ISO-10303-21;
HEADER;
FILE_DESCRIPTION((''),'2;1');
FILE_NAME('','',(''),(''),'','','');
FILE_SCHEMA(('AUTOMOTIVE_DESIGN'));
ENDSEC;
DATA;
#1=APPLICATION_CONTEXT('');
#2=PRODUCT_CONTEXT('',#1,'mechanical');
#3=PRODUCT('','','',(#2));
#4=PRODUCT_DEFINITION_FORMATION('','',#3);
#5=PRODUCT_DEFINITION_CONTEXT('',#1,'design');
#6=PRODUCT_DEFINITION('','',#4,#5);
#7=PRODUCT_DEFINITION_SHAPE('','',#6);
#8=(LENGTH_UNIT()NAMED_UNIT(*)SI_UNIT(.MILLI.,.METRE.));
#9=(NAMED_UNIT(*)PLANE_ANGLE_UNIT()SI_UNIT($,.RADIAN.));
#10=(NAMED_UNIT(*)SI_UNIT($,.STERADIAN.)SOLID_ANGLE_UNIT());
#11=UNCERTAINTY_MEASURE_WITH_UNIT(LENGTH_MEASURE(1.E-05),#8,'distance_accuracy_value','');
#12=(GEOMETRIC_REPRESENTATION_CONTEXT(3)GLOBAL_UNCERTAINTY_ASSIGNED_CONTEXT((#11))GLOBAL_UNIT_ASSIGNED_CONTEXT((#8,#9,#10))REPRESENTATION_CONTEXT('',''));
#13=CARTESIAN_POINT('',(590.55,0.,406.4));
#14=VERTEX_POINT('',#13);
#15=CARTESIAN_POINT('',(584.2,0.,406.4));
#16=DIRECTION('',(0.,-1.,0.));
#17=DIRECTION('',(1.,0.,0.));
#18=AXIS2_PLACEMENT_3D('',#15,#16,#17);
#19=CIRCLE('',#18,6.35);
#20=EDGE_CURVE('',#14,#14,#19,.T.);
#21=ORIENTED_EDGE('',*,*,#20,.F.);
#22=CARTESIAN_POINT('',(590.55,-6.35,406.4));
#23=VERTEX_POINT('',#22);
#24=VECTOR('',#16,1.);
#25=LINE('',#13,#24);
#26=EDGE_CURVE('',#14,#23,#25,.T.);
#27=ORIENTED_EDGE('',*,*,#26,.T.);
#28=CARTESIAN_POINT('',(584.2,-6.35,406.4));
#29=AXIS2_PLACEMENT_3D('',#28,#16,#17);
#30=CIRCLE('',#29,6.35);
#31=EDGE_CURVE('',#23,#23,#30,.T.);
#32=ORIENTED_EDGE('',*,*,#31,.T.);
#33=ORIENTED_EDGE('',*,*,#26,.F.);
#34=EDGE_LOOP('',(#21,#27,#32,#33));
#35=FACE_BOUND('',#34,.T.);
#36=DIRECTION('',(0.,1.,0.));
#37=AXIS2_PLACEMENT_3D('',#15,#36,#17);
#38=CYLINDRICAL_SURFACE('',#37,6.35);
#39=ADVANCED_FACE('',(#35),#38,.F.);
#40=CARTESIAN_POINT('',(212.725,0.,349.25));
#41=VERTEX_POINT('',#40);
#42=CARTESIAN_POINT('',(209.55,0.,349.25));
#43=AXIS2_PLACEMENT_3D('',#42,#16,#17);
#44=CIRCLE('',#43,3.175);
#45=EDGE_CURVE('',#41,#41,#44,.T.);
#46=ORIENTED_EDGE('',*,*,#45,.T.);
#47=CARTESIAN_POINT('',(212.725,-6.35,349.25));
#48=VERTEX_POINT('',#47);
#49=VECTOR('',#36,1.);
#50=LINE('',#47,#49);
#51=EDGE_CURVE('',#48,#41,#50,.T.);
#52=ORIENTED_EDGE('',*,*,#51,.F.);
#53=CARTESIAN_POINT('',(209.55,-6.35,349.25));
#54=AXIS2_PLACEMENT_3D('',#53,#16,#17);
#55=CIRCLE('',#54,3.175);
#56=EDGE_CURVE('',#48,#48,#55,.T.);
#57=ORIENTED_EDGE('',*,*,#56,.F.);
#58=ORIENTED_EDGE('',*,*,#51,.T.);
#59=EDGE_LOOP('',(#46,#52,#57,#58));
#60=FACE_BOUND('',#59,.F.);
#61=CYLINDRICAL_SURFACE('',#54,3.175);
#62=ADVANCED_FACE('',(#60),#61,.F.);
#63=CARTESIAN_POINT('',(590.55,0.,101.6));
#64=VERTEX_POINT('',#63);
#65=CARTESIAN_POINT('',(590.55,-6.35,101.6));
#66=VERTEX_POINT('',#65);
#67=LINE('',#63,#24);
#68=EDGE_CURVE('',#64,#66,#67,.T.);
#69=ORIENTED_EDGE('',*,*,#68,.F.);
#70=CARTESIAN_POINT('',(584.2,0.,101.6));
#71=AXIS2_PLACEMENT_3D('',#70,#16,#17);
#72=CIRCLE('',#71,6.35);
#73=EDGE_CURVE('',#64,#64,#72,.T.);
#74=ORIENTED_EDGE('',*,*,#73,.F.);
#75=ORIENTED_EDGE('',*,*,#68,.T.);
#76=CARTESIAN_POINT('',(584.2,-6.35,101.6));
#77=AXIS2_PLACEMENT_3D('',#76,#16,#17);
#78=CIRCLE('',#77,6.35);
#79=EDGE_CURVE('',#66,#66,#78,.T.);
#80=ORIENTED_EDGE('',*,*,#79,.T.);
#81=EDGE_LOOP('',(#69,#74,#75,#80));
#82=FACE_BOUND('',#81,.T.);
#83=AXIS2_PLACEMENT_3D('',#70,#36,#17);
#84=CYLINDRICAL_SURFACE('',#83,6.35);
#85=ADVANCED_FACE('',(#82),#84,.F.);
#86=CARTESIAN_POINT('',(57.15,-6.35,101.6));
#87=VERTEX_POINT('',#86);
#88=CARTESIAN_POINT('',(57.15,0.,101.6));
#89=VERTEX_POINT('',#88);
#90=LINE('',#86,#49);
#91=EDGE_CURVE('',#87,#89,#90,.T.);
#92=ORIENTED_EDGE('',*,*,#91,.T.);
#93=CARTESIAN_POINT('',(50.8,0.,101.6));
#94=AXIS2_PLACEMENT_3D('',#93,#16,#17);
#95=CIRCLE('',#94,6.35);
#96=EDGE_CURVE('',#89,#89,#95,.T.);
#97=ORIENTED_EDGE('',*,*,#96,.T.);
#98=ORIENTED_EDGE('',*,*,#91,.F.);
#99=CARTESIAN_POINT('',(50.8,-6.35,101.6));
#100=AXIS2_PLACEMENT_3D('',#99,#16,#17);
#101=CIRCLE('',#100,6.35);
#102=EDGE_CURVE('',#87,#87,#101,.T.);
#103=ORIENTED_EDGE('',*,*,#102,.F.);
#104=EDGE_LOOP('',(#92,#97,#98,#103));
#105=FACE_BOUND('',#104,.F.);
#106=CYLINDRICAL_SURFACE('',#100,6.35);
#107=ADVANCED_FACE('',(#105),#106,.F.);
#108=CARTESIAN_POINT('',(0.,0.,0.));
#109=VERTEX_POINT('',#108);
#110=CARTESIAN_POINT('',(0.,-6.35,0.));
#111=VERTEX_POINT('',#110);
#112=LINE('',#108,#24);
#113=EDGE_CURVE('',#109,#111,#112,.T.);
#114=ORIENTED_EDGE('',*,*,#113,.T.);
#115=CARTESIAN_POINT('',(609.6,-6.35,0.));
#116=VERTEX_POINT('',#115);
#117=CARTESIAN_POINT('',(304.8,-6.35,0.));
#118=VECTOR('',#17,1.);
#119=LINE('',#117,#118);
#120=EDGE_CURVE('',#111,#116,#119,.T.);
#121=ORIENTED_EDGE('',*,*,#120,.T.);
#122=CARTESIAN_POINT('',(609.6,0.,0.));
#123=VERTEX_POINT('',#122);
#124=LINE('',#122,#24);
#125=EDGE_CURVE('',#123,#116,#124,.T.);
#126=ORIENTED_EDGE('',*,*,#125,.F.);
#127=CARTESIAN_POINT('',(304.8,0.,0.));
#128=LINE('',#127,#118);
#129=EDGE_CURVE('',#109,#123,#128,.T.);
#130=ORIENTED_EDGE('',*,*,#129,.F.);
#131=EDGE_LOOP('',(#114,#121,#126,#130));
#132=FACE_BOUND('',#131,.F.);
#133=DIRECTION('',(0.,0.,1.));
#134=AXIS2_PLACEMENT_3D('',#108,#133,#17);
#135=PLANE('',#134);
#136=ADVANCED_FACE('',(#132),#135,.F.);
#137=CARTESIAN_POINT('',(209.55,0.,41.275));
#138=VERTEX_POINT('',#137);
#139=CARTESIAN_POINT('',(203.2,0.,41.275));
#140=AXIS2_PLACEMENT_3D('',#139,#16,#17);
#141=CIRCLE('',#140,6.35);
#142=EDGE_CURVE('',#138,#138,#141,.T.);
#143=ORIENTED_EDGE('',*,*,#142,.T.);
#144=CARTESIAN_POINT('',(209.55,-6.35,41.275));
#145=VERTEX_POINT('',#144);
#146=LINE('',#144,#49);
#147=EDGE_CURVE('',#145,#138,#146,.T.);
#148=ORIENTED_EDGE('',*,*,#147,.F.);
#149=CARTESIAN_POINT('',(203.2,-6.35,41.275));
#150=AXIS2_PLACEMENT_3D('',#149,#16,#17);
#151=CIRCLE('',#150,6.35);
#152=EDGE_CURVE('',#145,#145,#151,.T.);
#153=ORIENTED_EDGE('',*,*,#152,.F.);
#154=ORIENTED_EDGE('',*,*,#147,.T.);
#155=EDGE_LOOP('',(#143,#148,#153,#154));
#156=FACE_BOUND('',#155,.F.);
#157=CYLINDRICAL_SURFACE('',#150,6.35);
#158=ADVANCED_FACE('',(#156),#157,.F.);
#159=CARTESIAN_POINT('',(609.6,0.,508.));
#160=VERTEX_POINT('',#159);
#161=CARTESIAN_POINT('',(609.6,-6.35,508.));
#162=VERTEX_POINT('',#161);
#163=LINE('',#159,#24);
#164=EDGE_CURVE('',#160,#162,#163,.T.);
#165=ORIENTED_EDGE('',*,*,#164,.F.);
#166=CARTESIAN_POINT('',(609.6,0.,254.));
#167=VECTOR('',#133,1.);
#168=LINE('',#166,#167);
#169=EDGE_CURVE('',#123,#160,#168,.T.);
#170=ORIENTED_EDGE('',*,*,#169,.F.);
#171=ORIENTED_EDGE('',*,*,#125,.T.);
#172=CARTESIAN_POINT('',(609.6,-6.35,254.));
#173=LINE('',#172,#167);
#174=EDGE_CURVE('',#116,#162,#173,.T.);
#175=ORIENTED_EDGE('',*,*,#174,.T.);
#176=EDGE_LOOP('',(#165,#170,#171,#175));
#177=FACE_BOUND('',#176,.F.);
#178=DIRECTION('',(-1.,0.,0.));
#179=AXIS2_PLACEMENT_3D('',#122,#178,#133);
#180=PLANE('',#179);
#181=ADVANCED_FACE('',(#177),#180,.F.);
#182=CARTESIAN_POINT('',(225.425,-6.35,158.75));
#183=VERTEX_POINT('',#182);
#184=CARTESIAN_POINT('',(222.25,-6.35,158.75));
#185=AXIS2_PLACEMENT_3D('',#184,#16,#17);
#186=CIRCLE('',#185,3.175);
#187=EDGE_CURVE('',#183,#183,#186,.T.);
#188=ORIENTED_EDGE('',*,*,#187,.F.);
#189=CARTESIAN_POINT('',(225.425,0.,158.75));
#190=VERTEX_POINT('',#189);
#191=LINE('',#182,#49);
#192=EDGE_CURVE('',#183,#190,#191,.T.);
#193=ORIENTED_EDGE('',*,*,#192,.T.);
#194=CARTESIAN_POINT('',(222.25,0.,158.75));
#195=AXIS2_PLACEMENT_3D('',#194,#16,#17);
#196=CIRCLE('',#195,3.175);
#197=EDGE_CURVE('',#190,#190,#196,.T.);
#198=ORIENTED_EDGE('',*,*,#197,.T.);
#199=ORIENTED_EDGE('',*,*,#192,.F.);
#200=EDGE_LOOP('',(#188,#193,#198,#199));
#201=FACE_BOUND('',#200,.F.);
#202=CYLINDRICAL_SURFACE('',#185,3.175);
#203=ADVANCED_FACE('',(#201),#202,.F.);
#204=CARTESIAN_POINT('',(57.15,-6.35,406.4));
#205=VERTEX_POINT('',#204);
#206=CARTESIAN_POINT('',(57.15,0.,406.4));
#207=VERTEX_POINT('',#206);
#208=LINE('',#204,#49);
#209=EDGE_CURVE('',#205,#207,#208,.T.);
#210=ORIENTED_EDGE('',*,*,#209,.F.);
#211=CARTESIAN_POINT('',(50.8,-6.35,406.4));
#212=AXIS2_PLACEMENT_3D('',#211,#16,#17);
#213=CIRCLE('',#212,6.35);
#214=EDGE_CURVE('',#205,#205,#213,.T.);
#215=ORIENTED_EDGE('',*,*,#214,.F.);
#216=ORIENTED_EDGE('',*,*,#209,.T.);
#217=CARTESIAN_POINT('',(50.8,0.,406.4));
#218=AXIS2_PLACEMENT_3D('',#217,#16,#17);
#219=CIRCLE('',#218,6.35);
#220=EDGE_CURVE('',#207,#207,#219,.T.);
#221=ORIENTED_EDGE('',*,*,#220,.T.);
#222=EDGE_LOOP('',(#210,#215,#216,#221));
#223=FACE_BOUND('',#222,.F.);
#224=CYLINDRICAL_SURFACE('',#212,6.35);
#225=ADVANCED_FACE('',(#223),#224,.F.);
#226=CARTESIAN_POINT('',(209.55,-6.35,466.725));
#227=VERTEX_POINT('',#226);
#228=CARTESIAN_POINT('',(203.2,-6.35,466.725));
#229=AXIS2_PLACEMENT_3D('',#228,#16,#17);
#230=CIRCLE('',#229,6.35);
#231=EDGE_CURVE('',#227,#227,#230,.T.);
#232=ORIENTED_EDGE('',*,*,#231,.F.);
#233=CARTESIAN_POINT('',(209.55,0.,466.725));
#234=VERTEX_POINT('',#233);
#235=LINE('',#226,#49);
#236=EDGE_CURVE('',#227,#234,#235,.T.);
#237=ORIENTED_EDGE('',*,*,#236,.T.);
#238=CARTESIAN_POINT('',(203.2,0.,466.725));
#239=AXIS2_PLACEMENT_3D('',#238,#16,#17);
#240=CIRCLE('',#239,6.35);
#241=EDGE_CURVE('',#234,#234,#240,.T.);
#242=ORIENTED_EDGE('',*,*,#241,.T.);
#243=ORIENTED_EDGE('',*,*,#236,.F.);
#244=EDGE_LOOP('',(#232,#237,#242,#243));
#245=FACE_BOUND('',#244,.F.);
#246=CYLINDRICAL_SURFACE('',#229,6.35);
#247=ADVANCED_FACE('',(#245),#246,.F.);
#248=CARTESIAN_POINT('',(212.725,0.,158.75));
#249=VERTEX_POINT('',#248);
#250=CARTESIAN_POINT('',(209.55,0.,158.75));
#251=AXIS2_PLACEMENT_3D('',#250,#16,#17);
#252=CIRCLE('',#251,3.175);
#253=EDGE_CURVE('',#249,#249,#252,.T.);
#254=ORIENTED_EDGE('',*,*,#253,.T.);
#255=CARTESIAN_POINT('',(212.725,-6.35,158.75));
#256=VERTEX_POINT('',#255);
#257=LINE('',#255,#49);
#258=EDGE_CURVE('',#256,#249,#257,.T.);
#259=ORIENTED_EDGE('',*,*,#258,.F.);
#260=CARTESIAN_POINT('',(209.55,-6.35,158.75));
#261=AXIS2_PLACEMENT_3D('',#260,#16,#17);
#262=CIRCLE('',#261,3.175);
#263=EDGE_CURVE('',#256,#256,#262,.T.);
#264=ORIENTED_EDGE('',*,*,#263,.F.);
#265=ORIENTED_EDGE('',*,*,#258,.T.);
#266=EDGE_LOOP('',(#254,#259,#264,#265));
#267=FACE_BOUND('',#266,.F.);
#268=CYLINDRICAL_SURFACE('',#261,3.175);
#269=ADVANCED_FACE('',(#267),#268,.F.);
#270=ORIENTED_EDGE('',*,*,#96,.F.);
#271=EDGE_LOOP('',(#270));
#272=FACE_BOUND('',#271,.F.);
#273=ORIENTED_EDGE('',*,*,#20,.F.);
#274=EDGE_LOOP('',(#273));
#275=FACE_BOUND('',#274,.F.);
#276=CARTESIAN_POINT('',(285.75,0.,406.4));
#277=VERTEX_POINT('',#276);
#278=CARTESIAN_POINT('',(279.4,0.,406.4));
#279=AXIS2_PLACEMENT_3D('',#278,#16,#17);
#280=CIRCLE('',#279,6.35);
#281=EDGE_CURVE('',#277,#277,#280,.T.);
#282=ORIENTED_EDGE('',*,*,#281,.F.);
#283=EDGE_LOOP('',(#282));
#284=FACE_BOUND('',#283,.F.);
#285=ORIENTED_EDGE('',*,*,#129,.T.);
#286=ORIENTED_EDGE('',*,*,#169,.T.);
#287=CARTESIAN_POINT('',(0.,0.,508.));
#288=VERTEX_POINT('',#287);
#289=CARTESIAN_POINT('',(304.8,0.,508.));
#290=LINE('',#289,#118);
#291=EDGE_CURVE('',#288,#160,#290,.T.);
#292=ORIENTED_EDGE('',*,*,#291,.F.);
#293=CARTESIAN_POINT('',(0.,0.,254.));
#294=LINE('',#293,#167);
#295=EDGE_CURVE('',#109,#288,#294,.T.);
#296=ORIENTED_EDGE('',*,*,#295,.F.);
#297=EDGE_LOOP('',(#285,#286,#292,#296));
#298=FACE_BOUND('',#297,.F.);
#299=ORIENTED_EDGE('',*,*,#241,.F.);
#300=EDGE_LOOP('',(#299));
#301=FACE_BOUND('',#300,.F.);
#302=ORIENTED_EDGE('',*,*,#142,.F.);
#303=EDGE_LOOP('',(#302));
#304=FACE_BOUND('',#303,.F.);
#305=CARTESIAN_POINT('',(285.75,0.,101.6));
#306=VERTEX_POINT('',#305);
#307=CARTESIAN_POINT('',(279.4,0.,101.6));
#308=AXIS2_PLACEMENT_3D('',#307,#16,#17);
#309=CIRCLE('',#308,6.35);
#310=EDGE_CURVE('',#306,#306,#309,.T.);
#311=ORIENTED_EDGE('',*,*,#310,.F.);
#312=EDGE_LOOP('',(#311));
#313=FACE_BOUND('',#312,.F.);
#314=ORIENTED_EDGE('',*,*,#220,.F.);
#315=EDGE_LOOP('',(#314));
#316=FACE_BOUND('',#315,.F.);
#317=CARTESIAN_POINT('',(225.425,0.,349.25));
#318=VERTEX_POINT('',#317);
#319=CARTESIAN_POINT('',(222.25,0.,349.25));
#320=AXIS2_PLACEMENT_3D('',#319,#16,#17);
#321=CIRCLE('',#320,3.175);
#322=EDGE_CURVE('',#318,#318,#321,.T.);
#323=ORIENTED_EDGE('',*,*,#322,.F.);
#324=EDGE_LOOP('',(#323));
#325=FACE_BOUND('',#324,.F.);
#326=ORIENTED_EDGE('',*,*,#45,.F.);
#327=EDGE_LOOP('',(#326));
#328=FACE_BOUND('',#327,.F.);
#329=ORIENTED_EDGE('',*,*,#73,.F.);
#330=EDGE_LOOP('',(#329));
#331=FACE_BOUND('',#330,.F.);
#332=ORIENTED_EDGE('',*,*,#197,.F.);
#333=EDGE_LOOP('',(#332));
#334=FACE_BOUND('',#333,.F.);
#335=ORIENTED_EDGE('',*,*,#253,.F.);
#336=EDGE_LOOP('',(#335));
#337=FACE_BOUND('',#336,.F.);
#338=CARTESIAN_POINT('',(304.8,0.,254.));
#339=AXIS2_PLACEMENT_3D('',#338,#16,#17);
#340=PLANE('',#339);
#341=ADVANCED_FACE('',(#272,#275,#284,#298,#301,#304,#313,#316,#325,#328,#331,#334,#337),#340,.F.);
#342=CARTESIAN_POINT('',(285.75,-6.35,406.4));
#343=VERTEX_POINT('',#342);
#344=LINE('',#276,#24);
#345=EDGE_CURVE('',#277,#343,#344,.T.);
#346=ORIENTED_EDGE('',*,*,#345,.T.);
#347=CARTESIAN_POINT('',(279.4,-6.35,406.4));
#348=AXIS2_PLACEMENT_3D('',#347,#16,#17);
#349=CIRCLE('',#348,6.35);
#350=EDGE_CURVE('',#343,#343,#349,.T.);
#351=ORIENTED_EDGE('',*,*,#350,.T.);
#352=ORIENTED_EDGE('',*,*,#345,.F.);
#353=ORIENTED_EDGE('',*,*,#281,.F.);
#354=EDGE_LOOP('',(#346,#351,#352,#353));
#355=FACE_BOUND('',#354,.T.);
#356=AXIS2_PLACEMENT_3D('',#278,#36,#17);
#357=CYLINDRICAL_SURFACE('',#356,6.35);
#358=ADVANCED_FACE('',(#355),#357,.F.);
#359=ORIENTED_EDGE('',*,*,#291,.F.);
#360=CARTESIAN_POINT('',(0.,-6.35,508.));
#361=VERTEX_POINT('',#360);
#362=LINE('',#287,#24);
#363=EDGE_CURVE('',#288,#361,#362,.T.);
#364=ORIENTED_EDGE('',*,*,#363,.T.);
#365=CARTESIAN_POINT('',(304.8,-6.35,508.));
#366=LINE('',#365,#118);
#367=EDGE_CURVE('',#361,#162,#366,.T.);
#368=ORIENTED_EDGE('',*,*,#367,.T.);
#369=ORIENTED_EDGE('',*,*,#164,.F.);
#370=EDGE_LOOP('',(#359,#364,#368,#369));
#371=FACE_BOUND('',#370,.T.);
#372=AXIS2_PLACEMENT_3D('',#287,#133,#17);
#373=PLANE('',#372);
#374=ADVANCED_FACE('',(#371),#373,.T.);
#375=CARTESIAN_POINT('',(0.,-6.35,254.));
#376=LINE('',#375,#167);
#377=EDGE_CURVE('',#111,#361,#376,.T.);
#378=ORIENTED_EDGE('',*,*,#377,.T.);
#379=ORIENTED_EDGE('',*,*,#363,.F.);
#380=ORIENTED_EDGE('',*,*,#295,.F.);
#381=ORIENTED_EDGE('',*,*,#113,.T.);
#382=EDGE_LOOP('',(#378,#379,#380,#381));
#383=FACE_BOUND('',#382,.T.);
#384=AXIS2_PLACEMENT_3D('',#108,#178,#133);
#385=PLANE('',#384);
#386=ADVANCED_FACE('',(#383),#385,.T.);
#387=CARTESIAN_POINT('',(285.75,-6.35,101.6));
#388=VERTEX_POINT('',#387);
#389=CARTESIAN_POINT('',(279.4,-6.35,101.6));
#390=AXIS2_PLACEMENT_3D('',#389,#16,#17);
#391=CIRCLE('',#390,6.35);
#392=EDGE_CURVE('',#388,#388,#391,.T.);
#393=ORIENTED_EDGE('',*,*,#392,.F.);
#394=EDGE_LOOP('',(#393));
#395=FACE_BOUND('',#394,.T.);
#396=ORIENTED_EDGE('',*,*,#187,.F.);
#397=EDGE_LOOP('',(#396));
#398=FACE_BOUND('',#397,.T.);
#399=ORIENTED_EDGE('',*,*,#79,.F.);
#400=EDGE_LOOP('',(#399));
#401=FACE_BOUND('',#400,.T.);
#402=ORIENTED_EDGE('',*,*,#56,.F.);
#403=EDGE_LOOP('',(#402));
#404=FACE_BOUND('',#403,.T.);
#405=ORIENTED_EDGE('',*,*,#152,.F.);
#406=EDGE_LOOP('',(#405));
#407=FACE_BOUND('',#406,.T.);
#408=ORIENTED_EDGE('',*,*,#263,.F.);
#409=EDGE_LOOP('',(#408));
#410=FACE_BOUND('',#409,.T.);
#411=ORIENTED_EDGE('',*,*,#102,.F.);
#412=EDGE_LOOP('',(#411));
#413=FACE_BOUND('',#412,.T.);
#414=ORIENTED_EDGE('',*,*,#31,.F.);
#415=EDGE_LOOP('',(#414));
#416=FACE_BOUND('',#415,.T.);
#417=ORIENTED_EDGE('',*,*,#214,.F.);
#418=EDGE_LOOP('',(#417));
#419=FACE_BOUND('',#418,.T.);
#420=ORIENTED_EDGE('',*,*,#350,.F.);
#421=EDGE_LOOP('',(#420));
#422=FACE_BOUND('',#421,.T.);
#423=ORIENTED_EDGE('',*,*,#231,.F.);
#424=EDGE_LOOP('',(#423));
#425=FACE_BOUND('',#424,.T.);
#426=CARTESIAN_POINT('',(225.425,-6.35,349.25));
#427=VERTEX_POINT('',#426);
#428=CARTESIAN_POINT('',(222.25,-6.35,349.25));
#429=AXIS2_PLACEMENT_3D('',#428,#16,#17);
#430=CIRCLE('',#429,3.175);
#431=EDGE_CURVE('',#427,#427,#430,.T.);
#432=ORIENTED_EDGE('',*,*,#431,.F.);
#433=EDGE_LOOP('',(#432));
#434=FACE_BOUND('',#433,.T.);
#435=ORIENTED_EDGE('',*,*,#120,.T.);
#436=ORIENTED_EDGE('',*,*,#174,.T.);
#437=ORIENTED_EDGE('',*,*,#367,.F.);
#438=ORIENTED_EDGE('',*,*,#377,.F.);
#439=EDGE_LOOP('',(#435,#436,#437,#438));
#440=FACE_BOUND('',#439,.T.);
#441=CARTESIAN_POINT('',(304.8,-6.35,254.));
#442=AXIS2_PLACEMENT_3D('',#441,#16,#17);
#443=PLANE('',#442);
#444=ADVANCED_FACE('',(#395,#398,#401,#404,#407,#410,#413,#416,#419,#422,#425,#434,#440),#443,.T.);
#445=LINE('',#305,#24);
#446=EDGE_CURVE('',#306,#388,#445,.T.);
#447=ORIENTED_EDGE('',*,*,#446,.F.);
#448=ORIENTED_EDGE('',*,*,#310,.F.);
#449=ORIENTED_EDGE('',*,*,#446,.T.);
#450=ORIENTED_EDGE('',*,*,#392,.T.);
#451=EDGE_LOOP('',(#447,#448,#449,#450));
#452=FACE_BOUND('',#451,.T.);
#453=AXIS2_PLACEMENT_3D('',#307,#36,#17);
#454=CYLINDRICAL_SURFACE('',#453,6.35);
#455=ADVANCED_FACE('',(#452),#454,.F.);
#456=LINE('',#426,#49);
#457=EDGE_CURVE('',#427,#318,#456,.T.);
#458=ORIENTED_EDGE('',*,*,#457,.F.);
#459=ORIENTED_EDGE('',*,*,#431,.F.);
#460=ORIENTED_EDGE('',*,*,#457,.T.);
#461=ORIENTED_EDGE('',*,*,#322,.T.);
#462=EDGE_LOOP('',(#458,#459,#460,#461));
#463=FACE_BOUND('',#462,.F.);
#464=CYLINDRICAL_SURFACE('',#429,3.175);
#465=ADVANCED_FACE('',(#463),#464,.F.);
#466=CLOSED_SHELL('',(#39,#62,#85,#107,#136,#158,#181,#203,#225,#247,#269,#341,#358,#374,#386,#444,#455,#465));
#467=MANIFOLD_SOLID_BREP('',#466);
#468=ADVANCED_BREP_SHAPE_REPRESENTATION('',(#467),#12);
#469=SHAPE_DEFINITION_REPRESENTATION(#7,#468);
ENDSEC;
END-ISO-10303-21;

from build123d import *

# Parameters (mm, degrees)
F0_W     = 609.6
F0_H     = 508
F0_R     = 6.35
F1_DEPTH = 6.35
F2_R     = 3.175
F3_DEPTH = 25.4
F4_R     = 6.35
F5_DEPTH = 25.4
F6_R     = 6.35
F7_DEPTH = 25.4


with BuildPart() as f1:
    # F0 (on Front) → F1 (new body)
    with BuildSketch(Plane.XZ):
        with Locations((304.8, 254)):
            Rectangle(F0_W, F0_H)
        with Locations((279.4, 101.6)):
            Circle(F0_R, mode=Mode.SUBTRACT)
        with Locations((584.2, 101.6)):
            Circle(F0_R, mode=Mode.SUBTRACT)
        with Locations((279.4, 406.4)):
            Circle(F0_R, mode=Mode.SUBTRACT)
        with Locations((584.2, 406.4)):
            Circle(F0_R, mode=Mode.SUBTRACT)
    extrude(amount=F1_DEPTH)

    # F2 (on face) → F3 (cut)
    with BuildSketch(Plane.XZ.offset(6.35)):
        with Locations((209.55, 158.75)):
            Circle(F2_R)
        with Locations((222.25, 158.75)):
            Circle(F2_R)
        with Locations((209.55, 349.25)):
            Circle(F2_R)
        with Locations((222.25, 349.25)):
            Circle(F2_R)
    extrude(amount=-F3_DEPTH, mode=Mode.SUBTRACT)

    # F4 (on face) → F5 (cut)
    with BuildSketch(Plane.XZ.offset(6.35)):
        with Locations((50.8, 406.4)):
            Circle(F4_R)
        with Locations((50.8, 101.6)):
            Circle(F4_R)
    extrude(amount=-F5_DEPTH, mode=Mode.SUBTRACT)

    # F6 (on face) → F7 (cut)
    with BuildSketch(Plane.XZ.offset(6.35)):
        with Locations((203.2, 41.275)):
            Circle(F6_R)
        with Locations((203.2, 466.725)):
            Circle(F6_R)
    extrude(amount=-F7_DEPTH, mode=Mode.SUBTRACT)


solid = f1.part
